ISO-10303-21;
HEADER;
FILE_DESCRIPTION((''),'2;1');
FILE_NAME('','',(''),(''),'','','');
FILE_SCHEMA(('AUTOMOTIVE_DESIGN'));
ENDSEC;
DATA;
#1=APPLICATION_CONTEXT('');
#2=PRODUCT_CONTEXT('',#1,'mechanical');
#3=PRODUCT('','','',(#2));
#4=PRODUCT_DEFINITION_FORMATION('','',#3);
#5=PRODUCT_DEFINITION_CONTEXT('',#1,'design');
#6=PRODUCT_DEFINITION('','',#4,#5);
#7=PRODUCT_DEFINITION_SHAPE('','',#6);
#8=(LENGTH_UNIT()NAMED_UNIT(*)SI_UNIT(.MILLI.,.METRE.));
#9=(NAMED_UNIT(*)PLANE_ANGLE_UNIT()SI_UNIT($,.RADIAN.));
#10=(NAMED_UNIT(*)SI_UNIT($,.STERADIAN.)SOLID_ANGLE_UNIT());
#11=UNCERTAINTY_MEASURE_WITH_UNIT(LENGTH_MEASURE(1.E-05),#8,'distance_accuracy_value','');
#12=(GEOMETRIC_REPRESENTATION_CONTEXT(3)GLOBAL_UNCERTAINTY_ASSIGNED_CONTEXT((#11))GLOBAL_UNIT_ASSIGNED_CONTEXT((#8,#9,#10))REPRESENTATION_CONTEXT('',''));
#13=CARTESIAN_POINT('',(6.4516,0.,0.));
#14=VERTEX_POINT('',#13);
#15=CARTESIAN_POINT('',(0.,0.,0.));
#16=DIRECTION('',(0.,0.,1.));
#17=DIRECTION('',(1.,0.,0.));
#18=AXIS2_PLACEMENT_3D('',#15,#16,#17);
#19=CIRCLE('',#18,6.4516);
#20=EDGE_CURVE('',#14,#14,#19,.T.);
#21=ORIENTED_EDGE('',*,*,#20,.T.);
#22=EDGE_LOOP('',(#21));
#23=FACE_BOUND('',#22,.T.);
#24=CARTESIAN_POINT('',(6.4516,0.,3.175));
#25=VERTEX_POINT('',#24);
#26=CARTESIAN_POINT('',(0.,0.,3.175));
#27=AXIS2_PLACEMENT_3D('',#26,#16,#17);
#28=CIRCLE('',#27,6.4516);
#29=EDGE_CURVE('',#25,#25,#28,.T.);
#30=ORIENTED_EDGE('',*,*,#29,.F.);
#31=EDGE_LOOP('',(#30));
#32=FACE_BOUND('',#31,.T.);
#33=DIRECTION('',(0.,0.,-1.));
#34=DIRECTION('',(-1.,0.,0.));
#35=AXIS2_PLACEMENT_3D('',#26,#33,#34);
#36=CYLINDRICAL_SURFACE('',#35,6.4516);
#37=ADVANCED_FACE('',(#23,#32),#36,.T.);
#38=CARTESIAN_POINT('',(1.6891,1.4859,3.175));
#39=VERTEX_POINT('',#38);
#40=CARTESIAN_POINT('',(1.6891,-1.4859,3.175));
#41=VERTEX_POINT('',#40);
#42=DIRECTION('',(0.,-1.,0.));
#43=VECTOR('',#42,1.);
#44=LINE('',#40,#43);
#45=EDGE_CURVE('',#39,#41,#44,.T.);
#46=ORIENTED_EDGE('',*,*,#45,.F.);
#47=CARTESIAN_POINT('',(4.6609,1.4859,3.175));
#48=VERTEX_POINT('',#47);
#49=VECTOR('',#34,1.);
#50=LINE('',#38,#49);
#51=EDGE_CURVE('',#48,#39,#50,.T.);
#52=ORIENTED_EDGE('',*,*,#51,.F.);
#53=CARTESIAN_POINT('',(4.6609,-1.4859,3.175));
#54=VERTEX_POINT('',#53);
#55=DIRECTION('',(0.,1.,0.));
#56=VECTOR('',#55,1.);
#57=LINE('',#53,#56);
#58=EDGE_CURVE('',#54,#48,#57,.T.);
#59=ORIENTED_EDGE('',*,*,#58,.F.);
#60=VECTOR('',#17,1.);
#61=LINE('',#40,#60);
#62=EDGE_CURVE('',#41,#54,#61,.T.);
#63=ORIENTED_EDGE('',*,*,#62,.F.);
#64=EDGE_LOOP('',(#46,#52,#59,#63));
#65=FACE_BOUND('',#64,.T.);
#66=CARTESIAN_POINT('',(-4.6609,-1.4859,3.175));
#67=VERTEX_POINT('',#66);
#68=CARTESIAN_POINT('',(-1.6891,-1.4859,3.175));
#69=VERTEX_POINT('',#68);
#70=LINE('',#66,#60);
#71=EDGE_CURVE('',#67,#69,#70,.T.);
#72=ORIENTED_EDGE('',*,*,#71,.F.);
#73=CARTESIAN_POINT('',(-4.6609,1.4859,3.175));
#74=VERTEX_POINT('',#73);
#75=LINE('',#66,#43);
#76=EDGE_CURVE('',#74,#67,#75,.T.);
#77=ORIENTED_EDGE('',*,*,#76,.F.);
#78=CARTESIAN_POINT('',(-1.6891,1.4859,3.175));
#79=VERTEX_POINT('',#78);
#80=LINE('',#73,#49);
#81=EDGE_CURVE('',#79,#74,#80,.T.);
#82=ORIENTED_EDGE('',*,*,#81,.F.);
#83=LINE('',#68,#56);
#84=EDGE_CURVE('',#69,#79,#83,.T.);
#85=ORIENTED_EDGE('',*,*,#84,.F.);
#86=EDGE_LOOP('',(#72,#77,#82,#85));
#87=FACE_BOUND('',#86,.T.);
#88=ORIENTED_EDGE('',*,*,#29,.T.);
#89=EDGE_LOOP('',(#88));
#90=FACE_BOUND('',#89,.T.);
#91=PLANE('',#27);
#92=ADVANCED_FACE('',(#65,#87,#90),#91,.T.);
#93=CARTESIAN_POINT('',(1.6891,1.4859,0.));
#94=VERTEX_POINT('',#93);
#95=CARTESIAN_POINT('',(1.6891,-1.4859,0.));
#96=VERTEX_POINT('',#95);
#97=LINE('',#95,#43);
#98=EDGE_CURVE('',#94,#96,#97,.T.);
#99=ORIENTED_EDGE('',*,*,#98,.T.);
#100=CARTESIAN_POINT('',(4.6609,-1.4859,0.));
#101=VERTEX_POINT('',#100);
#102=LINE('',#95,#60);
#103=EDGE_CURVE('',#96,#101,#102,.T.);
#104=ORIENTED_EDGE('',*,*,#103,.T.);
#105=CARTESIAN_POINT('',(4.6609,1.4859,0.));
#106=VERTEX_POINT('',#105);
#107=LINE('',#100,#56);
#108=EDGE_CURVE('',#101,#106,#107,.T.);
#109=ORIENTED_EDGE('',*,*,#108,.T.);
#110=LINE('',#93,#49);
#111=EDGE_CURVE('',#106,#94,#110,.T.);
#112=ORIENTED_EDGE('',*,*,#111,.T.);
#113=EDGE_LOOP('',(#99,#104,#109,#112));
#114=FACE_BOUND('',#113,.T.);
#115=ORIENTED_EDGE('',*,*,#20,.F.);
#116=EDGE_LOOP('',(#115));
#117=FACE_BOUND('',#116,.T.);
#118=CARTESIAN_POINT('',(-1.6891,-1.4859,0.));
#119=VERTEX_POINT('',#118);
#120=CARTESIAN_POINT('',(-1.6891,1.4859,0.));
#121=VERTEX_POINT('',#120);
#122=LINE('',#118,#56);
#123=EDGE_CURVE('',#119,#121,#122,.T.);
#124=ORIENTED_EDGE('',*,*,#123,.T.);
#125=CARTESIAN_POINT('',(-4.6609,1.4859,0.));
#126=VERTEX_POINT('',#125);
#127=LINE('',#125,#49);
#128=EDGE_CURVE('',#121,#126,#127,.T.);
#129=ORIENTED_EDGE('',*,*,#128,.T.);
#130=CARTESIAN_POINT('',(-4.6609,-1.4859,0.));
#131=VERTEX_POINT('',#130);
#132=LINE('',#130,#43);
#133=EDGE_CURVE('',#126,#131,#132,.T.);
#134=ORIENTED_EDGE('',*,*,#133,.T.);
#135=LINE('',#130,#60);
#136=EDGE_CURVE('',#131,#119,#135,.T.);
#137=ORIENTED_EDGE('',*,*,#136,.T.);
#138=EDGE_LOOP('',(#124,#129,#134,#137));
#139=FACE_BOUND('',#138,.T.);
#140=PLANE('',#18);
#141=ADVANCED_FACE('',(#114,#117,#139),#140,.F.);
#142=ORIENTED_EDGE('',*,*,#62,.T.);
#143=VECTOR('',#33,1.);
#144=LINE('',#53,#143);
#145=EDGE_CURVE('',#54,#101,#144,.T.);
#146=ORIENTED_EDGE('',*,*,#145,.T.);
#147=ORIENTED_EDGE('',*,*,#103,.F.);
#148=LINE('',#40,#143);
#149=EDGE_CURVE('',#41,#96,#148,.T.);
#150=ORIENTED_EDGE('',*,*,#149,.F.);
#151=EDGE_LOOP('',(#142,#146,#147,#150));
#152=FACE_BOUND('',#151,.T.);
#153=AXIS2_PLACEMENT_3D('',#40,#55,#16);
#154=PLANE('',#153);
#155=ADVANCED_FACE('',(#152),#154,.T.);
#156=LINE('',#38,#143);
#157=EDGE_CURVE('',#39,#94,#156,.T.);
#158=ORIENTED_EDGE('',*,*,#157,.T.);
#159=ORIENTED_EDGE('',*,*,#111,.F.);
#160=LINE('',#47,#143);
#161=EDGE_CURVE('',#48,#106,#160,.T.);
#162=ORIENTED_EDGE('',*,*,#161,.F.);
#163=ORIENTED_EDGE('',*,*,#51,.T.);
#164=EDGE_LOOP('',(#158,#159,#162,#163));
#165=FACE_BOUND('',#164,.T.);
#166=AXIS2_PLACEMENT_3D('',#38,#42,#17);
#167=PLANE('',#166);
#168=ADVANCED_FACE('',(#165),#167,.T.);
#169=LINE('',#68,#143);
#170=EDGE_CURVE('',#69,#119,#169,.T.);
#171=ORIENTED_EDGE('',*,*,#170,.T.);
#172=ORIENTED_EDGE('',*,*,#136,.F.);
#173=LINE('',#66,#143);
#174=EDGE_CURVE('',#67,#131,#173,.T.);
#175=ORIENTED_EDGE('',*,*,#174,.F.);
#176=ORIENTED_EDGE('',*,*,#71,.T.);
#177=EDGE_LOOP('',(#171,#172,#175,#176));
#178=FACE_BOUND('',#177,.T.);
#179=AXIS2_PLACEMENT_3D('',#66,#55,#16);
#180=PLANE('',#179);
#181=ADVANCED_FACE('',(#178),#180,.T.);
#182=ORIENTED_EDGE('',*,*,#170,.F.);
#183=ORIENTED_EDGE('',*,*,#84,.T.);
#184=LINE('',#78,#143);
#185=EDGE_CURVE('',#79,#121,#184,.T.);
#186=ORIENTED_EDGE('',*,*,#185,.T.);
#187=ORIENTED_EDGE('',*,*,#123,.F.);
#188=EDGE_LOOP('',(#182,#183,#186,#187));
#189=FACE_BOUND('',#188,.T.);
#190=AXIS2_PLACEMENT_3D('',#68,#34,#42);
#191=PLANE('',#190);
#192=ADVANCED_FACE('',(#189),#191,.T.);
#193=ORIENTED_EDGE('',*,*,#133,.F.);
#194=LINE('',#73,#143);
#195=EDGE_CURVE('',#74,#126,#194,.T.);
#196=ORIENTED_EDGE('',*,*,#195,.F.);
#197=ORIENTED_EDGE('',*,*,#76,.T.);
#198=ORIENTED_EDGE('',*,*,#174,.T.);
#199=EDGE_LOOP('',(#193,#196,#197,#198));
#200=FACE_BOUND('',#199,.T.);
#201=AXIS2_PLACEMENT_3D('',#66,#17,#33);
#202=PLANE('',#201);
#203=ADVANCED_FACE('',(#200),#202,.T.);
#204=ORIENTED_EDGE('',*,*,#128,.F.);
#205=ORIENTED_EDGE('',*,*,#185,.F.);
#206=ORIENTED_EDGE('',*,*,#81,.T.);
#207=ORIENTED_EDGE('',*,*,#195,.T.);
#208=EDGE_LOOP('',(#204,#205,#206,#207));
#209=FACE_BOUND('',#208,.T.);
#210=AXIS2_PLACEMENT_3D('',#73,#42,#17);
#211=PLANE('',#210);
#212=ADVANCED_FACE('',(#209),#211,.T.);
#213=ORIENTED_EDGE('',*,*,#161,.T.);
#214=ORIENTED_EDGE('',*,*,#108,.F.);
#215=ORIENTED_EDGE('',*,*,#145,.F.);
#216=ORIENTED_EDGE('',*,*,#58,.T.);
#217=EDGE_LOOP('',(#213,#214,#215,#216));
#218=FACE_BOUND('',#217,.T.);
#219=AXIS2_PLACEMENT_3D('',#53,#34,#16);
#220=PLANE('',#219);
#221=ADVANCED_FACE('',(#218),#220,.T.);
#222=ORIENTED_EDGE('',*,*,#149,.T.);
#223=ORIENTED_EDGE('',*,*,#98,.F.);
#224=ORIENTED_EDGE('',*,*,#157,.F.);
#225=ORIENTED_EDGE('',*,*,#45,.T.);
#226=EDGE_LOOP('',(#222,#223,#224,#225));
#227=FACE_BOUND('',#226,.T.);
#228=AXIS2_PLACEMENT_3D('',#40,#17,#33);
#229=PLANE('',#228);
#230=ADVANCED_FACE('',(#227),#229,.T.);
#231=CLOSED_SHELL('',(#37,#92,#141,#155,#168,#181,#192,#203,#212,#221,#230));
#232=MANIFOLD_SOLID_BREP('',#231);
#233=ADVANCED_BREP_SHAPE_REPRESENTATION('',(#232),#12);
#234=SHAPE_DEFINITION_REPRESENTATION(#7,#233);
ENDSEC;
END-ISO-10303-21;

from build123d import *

# Parameters (mm, degrees)
SKETCH1_R           = 6.4516
SKETCH1_W           = 2.9718
SKETCH1_H           = 2.9718
BOSS_EXTRUDE1_DEPTH = 3.175


with BuildPart() as part:
    # Sketch1 → Boss-Extrude1 (new body)
    with BuildSketch(Plane.XY):
        Circle(SKETCH1_R)
        with Locations((-3.175, 0)):
            Rectangle(SKETCH1_W, SKETCH1_H, mode=Mode.SUBTRACT)
        with Locations((3.175, 0)):
            Rectangle(SKETCH1_W, SKETCH1_H, mode=Mode.SUBTRACT)
    extrude(amount=BOSS_EXTRUDE1_DEPTH)


solid = part.part
